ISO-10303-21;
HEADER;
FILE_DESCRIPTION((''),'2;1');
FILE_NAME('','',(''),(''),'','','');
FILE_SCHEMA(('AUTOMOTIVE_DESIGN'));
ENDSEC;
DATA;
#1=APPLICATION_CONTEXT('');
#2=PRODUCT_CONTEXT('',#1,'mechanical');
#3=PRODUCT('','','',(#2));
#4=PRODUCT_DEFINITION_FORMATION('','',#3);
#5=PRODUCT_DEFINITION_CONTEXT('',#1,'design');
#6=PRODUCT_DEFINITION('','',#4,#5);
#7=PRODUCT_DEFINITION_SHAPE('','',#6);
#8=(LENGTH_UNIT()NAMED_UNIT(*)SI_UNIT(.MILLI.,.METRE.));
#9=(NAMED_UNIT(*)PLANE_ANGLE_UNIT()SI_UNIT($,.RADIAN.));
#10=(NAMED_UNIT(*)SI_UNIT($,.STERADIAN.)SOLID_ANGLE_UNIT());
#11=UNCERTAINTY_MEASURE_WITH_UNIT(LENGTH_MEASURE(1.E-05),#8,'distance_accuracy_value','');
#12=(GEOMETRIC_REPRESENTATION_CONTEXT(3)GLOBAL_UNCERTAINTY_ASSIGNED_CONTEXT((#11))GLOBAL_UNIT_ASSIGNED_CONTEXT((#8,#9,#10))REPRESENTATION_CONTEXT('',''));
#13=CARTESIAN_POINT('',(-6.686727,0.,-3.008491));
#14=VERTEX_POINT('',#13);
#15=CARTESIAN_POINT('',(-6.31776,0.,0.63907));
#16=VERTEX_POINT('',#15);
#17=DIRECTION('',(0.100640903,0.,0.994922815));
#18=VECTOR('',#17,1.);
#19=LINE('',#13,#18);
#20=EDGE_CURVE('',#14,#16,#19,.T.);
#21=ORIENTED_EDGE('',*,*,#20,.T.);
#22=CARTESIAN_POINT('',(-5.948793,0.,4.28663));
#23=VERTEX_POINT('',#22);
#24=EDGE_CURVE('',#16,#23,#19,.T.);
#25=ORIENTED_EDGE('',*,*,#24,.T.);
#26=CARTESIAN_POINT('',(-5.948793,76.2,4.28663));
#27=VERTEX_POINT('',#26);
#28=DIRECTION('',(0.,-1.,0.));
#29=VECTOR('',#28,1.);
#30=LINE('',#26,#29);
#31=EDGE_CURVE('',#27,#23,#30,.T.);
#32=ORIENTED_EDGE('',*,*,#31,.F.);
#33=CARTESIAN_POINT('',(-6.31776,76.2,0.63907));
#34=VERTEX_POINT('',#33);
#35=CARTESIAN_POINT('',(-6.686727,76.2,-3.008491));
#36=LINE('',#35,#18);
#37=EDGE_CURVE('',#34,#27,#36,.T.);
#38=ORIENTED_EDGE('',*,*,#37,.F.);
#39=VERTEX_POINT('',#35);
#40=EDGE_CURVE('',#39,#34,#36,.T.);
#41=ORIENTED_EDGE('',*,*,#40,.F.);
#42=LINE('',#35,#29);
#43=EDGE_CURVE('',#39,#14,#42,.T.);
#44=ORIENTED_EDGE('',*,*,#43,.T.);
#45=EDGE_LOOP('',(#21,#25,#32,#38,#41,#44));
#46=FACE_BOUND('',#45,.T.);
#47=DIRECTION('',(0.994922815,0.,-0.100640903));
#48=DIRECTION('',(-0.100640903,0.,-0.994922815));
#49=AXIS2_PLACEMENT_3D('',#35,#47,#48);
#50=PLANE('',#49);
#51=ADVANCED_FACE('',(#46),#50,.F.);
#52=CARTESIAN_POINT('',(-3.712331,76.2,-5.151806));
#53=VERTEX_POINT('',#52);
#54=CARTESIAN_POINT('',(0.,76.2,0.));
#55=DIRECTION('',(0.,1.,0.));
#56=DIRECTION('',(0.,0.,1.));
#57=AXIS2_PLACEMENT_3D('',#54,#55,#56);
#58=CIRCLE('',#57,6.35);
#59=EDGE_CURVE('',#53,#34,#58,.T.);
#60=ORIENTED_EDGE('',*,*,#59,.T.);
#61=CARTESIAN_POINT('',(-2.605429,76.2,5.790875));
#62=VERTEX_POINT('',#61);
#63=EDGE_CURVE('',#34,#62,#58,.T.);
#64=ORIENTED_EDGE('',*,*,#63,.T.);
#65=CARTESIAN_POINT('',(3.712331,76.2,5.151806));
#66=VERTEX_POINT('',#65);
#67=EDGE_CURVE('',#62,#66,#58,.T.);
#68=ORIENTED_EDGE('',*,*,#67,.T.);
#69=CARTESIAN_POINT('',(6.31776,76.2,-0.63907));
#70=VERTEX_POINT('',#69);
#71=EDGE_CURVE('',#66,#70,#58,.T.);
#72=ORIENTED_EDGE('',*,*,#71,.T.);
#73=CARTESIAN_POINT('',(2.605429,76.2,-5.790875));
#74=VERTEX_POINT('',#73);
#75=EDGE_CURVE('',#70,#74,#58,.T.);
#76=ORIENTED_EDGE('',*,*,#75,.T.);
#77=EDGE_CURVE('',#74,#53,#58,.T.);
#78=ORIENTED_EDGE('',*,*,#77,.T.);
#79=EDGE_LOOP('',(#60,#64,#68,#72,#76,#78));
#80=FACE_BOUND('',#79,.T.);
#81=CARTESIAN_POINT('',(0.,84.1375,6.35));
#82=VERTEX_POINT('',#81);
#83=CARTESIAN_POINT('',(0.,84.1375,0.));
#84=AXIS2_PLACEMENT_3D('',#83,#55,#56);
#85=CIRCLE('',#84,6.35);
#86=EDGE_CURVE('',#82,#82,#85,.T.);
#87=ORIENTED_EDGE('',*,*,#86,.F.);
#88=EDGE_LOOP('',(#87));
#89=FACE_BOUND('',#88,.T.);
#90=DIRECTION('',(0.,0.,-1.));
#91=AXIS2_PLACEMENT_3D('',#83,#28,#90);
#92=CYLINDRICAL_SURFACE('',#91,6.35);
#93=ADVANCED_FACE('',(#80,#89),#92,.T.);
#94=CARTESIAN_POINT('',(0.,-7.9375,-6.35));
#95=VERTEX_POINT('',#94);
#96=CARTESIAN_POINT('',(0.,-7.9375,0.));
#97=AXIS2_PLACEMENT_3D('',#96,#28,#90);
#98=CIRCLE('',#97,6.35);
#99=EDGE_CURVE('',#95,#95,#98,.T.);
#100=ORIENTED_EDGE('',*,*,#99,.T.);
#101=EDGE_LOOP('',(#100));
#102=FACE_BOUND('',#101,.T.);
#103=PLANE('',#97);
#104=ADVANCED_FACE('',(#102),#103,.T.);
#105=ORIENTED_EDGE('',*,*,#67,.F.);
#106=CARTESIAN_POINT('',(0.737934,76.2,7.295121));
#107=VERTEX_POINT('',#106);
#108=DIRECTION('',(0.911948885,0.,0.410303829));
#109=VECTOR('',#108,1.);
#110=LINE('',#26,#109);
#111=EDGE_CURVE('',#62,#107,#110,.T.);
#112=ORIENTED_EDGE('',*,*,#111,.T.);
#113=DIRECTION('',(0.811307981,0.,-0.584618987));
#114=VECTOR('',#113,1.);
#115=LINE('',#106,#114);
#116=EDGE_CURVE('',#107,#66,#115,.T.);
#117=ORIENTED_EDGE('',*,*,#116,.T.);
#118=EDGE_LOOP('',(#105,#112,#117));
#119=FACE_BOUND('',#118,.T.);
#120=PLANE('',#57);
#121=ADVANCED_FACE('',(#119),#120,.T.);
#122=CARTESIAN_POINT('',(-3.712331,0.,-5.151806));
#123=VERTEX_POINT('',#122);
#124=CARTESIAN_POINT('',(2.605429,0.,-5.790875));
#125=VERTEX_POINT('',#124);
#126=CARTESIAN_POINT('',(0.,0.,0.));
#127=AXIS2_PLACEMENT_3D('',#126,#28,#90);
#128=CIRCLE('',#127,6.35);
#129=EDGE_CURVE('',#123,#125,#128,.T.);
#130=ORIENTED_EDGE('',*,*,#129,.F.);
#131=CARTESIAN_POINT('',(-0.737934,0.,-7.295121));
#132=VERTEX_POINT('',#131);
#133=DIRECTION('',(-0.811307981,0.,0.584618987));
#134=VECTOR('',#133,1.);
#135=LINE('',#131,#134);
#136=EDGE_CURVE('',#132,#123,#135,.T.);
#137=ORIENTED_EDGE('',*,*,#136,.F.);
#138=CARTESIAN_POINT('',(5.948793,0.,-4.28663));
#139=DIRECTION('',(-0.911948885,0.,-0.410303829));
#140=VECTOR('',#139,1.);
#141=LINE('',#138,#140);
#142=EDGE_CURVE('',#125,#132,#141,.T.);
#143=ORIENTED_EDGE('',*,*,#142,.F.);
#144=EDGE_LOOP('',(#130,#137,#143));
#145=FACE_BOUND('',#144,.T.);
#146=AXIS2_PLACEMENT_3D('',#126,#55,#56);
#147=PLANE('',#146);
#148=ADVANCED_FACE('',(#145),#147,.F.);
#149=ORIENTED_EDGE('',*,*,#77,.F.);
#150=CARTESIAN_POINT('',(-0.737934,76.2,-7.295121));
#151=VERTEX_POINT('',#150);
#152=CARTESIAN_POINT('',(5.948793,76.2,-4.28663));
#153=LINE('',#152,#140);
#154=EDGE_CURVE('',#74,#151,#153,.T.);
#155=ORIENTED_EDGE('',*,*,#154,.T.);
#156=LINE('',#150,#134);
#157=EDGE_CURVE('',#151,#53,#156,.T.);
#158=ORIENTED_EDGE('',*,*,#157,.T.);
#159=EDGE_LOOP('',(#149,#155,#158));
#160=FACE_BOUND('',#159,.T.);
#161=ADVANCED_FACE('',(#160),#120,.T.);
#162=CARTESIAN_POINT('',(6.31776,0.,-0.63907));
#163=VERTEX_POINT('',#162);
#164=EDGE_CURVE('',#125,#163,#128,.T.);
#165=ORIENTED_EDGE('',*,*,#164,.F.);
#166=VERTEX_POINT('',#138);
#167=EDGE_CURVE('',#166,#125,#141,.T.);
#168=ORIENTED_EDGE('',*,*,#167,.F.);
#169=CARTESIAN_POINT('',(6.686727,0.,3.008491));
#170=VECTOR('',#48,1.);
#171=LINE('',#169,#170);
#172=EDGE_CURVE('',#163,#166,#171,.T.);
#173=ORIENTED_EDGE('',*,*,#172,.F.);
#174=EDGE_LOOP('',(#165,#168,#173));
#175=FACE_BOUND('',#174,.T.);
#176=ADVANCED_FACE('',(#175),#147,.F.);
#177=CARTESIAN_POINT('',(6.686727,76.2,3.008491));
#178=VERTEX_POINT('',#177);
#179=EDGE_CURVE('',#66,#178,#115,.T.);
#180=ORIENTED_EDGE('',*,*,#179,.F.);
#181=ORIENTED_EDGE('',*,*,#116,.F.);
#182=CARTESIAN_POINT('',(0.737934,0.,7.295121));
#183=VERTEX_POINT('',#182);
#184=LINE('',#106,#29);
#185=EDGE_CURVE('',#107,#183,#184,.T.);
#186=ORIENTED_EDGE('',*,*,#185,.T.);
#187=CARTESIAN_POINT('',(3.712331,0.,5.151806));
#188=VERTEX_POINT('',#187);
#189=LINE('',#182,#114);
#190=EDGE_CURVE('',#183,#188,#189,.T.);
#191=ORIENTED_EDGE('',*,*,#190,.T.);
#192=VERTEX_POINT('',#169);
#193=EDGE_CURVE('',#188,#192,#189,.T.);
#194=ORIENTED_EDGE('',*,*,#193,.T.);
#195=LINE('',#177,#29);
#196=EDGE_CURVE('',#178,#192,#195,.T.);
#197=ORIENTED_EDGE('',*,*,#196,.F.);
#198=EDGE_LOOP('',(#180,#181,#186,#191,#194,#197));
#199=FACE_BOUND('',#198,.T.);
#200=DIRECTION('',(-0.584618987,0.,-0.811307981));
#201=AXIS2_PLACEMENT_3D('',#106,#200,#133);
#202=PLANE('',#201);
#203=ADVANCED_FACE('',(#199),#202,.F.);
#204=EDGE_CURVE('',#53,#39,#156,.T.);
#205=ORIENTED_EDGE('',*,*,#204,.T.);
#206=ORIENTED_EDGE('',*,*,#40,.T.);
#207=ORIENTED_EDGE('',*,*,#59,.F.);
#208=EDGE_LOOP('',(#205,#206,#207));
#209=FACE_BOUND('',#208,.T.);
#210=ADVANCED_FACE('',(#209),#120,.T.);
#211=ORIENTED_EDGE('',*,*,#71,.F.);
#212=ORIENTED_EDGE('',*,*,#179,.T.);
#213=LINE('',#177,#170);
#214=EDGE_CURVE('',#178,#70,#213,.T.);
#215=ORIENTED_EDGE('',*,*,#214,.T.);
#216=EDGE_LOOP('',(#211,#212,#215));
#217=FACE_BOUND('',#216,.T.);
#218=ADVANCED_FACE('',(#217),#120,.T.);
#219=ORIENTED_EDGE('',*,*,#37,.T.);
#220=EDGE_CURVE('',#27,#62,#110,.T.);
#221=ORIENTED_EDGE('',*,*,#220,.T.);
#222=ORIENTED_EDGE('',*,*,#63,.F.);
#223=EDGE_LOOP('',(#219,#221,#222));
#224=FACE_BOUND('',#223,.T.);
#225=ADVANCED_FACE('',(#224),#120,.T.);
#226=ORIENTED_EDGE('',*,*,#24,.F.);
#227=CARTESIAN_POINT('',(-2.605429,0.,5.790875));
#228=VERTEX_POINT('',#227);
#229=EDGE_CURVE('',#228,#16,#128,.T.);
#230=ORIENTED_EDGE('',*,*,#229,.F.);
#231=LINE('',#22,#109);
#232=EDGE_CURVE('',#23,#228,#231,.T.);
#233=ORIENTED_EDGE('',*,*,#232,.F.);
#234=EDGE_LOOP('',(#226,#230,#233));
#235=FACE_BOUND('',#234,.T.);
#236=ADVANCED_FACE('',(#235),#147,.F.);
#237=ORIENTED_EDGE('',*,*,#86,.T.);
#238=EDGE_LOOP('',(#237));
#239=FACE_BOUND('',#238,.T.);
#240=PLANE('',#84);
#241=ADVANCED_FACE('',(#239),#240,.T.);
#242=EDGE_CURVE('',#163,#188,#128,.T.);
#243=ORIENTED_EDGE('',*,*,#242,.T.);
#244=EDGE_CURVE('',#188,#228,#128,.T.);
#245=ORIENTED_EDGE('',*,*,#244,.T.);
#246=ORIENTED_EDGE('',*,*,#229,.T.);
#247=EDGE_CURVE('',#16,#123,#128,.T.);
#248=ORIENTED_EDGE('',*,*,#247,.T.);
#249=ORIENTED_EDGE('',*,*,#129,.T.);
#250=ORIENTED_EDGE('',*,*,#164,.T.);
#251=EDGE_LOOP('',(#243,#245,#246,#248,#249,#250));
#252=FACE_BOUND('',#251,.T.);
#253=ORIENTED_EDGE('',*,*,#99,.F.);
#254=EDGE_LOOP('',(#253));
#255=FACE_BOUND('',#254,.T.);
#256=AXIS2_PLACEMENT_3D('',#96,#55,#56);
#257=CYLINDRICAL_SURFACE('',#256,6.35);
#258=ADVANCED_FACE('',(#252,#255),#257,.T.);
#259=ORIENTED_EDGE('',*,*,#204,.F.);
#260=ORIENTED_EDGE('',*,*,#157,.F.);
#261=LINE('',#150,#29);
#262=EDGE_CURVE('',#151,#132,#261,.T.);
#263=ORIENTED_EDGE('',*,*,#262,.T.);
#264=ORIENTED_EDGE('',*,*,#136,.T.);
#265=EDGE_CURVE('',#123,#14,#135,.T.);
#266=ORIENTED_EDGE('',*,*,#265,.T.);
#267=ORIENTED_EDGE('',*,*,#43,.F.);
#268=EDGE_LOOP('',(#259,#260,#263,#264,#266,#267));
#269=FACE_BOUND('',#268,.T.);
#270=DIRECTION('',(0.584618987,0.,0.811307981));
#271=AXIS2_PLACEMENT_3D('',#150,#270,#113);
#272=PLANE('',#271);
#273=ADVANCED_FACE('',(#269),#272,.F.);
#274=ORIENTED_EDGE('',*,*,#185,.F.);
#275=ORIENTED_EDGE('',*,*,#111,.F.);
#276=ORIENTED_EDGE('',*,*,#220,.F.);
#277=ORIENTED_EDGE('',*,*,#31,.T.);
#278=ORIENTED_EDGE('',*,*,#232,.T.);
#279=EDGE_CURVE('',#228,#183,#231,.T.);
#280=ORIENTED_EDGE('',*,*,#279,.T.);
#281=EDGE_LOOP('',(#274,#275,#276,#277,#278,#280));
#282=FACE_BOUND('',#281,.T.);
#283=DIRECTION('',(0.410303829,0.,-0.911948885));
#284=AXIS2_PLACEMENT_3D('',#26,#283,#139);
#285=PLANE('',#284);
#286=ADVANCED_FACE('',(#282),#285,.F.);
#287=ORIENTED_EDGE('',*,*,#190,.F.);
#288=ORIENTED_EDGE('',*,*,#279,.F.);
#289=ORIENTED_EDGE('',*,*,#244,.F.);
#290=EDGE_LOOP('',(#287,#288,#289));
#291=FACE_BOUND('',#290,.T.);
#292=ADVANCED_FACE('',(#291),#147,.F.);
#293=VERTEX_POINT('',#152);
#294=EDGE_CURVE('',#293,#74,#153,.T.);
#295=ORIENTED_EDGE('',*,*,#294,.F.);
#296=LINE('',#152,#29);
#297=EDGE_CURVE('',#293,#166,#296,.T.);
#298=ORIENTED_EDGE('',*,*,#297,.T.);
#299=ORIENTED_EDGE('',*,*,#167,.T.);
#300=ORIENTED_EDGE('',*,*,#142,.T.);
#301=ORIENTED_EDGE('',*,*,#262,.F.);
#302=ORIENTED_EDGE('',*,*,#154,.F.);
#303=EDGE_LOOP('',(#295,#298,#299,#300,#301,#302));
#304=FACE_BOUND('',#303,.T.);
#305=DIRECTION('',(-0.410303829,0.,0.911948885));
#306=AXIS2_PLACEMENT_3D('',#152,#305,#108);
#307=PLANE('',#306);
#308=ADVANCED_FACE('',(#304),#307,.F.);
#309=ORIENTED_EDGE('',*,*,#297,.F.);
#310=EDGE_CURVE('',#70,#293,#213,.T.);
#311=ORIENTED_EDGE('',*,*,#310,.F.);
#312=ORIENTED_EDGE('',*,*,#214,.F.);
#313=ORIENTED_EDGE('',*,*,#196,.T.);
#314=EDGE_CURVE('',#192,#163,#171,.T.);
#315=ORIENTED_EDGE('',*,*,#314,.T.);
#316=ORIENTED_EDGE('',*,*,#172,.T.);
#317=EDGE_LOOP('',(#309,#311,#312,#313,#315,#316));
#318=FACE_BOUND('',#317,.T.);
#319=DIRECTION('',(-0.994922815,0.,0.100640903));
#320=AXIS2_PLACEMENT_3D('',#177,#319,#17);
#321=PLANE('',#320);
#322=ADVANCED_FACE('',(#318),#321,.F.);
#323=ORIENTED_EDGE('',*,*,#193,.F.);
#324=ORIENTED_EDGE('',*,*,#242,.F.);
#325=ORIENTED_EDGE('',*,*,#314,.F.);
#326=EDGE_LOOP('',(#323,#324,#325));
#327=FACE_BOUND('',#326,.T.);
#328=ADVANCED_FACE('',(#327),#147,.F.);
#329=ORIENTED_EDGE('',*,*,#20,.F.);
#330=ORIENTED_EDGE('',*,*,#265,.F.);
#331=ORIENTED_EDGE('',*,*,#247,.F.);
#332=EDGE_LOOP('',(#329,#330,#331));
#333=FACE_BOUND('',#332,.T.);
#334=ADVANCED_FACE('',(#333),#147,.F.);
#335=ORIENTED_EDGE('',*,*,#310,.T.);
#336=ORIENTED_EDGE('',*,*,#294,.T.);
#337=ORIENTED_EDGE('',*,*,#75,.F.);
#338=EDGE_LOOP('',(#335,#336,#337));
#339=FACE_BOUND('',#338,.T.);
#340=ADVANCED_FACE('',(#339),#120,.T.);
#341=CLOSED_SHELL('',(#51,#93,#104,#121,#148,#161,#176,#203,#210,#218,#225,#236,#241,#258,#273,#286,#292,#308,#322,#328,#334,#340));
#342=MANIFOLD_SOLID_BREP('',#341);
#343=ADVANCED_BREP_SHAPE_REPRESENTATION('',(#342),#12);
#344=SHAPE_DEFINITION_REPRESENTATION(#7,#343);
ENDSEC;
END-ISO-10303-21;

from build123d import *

# Parameters (mm, degrees)
BOSS_EXTRUDE1_DEPTH = 76.2
SKETCH3_R           = 6.35
BOSS_EXTRUDE2_DEPTH = 7.9375
SKETCH4_R           = 6.35
BOSS_EXTRUDE3_DEPTH = 7.9375


with BuildPart() as part:
    # Sketch1 → Boss-Extrude1 (new body)
    with BuildSketch(Plane(origin=(0, 0, 0), x_dir=(1, 0, 0), z_dir=(0, 1, 0))):
        Polygon((5.948792794, 4.286630102), (-0.737934168, 7.295120732), (-6.686726962, 3.008490631), (-5.948792794, -4.286630102), (0.737934168, -7.295120732), (6.686726962, -3.008490631), align=None)
    extrude(amount=BOSS_EXTRUDE1_DEPTH)

    # Sketch3 → Boss-Extrude2 (add)
    with BuildSketch(Plane(origin=(0, 0, 0), x_dir=(-1, 0, 0), z_dir=(0, -1, 0))):
        Circle(SKETCH3_R)
    extrude(amount=BOSS_EXTRUDE2_DEPTH)

    # Sketch4 → Boss-Extrude3 (add)
    with BuildSketch(Plane(origin=(0, 76.2, 0), x_dir=(1, 0, 0), z_dir=(0, 1, 0))):
        Circle(SKETCH4_R)
    extrude(amount=BOSS_EXTRUDE3_DEPTH)


solid = part.part
